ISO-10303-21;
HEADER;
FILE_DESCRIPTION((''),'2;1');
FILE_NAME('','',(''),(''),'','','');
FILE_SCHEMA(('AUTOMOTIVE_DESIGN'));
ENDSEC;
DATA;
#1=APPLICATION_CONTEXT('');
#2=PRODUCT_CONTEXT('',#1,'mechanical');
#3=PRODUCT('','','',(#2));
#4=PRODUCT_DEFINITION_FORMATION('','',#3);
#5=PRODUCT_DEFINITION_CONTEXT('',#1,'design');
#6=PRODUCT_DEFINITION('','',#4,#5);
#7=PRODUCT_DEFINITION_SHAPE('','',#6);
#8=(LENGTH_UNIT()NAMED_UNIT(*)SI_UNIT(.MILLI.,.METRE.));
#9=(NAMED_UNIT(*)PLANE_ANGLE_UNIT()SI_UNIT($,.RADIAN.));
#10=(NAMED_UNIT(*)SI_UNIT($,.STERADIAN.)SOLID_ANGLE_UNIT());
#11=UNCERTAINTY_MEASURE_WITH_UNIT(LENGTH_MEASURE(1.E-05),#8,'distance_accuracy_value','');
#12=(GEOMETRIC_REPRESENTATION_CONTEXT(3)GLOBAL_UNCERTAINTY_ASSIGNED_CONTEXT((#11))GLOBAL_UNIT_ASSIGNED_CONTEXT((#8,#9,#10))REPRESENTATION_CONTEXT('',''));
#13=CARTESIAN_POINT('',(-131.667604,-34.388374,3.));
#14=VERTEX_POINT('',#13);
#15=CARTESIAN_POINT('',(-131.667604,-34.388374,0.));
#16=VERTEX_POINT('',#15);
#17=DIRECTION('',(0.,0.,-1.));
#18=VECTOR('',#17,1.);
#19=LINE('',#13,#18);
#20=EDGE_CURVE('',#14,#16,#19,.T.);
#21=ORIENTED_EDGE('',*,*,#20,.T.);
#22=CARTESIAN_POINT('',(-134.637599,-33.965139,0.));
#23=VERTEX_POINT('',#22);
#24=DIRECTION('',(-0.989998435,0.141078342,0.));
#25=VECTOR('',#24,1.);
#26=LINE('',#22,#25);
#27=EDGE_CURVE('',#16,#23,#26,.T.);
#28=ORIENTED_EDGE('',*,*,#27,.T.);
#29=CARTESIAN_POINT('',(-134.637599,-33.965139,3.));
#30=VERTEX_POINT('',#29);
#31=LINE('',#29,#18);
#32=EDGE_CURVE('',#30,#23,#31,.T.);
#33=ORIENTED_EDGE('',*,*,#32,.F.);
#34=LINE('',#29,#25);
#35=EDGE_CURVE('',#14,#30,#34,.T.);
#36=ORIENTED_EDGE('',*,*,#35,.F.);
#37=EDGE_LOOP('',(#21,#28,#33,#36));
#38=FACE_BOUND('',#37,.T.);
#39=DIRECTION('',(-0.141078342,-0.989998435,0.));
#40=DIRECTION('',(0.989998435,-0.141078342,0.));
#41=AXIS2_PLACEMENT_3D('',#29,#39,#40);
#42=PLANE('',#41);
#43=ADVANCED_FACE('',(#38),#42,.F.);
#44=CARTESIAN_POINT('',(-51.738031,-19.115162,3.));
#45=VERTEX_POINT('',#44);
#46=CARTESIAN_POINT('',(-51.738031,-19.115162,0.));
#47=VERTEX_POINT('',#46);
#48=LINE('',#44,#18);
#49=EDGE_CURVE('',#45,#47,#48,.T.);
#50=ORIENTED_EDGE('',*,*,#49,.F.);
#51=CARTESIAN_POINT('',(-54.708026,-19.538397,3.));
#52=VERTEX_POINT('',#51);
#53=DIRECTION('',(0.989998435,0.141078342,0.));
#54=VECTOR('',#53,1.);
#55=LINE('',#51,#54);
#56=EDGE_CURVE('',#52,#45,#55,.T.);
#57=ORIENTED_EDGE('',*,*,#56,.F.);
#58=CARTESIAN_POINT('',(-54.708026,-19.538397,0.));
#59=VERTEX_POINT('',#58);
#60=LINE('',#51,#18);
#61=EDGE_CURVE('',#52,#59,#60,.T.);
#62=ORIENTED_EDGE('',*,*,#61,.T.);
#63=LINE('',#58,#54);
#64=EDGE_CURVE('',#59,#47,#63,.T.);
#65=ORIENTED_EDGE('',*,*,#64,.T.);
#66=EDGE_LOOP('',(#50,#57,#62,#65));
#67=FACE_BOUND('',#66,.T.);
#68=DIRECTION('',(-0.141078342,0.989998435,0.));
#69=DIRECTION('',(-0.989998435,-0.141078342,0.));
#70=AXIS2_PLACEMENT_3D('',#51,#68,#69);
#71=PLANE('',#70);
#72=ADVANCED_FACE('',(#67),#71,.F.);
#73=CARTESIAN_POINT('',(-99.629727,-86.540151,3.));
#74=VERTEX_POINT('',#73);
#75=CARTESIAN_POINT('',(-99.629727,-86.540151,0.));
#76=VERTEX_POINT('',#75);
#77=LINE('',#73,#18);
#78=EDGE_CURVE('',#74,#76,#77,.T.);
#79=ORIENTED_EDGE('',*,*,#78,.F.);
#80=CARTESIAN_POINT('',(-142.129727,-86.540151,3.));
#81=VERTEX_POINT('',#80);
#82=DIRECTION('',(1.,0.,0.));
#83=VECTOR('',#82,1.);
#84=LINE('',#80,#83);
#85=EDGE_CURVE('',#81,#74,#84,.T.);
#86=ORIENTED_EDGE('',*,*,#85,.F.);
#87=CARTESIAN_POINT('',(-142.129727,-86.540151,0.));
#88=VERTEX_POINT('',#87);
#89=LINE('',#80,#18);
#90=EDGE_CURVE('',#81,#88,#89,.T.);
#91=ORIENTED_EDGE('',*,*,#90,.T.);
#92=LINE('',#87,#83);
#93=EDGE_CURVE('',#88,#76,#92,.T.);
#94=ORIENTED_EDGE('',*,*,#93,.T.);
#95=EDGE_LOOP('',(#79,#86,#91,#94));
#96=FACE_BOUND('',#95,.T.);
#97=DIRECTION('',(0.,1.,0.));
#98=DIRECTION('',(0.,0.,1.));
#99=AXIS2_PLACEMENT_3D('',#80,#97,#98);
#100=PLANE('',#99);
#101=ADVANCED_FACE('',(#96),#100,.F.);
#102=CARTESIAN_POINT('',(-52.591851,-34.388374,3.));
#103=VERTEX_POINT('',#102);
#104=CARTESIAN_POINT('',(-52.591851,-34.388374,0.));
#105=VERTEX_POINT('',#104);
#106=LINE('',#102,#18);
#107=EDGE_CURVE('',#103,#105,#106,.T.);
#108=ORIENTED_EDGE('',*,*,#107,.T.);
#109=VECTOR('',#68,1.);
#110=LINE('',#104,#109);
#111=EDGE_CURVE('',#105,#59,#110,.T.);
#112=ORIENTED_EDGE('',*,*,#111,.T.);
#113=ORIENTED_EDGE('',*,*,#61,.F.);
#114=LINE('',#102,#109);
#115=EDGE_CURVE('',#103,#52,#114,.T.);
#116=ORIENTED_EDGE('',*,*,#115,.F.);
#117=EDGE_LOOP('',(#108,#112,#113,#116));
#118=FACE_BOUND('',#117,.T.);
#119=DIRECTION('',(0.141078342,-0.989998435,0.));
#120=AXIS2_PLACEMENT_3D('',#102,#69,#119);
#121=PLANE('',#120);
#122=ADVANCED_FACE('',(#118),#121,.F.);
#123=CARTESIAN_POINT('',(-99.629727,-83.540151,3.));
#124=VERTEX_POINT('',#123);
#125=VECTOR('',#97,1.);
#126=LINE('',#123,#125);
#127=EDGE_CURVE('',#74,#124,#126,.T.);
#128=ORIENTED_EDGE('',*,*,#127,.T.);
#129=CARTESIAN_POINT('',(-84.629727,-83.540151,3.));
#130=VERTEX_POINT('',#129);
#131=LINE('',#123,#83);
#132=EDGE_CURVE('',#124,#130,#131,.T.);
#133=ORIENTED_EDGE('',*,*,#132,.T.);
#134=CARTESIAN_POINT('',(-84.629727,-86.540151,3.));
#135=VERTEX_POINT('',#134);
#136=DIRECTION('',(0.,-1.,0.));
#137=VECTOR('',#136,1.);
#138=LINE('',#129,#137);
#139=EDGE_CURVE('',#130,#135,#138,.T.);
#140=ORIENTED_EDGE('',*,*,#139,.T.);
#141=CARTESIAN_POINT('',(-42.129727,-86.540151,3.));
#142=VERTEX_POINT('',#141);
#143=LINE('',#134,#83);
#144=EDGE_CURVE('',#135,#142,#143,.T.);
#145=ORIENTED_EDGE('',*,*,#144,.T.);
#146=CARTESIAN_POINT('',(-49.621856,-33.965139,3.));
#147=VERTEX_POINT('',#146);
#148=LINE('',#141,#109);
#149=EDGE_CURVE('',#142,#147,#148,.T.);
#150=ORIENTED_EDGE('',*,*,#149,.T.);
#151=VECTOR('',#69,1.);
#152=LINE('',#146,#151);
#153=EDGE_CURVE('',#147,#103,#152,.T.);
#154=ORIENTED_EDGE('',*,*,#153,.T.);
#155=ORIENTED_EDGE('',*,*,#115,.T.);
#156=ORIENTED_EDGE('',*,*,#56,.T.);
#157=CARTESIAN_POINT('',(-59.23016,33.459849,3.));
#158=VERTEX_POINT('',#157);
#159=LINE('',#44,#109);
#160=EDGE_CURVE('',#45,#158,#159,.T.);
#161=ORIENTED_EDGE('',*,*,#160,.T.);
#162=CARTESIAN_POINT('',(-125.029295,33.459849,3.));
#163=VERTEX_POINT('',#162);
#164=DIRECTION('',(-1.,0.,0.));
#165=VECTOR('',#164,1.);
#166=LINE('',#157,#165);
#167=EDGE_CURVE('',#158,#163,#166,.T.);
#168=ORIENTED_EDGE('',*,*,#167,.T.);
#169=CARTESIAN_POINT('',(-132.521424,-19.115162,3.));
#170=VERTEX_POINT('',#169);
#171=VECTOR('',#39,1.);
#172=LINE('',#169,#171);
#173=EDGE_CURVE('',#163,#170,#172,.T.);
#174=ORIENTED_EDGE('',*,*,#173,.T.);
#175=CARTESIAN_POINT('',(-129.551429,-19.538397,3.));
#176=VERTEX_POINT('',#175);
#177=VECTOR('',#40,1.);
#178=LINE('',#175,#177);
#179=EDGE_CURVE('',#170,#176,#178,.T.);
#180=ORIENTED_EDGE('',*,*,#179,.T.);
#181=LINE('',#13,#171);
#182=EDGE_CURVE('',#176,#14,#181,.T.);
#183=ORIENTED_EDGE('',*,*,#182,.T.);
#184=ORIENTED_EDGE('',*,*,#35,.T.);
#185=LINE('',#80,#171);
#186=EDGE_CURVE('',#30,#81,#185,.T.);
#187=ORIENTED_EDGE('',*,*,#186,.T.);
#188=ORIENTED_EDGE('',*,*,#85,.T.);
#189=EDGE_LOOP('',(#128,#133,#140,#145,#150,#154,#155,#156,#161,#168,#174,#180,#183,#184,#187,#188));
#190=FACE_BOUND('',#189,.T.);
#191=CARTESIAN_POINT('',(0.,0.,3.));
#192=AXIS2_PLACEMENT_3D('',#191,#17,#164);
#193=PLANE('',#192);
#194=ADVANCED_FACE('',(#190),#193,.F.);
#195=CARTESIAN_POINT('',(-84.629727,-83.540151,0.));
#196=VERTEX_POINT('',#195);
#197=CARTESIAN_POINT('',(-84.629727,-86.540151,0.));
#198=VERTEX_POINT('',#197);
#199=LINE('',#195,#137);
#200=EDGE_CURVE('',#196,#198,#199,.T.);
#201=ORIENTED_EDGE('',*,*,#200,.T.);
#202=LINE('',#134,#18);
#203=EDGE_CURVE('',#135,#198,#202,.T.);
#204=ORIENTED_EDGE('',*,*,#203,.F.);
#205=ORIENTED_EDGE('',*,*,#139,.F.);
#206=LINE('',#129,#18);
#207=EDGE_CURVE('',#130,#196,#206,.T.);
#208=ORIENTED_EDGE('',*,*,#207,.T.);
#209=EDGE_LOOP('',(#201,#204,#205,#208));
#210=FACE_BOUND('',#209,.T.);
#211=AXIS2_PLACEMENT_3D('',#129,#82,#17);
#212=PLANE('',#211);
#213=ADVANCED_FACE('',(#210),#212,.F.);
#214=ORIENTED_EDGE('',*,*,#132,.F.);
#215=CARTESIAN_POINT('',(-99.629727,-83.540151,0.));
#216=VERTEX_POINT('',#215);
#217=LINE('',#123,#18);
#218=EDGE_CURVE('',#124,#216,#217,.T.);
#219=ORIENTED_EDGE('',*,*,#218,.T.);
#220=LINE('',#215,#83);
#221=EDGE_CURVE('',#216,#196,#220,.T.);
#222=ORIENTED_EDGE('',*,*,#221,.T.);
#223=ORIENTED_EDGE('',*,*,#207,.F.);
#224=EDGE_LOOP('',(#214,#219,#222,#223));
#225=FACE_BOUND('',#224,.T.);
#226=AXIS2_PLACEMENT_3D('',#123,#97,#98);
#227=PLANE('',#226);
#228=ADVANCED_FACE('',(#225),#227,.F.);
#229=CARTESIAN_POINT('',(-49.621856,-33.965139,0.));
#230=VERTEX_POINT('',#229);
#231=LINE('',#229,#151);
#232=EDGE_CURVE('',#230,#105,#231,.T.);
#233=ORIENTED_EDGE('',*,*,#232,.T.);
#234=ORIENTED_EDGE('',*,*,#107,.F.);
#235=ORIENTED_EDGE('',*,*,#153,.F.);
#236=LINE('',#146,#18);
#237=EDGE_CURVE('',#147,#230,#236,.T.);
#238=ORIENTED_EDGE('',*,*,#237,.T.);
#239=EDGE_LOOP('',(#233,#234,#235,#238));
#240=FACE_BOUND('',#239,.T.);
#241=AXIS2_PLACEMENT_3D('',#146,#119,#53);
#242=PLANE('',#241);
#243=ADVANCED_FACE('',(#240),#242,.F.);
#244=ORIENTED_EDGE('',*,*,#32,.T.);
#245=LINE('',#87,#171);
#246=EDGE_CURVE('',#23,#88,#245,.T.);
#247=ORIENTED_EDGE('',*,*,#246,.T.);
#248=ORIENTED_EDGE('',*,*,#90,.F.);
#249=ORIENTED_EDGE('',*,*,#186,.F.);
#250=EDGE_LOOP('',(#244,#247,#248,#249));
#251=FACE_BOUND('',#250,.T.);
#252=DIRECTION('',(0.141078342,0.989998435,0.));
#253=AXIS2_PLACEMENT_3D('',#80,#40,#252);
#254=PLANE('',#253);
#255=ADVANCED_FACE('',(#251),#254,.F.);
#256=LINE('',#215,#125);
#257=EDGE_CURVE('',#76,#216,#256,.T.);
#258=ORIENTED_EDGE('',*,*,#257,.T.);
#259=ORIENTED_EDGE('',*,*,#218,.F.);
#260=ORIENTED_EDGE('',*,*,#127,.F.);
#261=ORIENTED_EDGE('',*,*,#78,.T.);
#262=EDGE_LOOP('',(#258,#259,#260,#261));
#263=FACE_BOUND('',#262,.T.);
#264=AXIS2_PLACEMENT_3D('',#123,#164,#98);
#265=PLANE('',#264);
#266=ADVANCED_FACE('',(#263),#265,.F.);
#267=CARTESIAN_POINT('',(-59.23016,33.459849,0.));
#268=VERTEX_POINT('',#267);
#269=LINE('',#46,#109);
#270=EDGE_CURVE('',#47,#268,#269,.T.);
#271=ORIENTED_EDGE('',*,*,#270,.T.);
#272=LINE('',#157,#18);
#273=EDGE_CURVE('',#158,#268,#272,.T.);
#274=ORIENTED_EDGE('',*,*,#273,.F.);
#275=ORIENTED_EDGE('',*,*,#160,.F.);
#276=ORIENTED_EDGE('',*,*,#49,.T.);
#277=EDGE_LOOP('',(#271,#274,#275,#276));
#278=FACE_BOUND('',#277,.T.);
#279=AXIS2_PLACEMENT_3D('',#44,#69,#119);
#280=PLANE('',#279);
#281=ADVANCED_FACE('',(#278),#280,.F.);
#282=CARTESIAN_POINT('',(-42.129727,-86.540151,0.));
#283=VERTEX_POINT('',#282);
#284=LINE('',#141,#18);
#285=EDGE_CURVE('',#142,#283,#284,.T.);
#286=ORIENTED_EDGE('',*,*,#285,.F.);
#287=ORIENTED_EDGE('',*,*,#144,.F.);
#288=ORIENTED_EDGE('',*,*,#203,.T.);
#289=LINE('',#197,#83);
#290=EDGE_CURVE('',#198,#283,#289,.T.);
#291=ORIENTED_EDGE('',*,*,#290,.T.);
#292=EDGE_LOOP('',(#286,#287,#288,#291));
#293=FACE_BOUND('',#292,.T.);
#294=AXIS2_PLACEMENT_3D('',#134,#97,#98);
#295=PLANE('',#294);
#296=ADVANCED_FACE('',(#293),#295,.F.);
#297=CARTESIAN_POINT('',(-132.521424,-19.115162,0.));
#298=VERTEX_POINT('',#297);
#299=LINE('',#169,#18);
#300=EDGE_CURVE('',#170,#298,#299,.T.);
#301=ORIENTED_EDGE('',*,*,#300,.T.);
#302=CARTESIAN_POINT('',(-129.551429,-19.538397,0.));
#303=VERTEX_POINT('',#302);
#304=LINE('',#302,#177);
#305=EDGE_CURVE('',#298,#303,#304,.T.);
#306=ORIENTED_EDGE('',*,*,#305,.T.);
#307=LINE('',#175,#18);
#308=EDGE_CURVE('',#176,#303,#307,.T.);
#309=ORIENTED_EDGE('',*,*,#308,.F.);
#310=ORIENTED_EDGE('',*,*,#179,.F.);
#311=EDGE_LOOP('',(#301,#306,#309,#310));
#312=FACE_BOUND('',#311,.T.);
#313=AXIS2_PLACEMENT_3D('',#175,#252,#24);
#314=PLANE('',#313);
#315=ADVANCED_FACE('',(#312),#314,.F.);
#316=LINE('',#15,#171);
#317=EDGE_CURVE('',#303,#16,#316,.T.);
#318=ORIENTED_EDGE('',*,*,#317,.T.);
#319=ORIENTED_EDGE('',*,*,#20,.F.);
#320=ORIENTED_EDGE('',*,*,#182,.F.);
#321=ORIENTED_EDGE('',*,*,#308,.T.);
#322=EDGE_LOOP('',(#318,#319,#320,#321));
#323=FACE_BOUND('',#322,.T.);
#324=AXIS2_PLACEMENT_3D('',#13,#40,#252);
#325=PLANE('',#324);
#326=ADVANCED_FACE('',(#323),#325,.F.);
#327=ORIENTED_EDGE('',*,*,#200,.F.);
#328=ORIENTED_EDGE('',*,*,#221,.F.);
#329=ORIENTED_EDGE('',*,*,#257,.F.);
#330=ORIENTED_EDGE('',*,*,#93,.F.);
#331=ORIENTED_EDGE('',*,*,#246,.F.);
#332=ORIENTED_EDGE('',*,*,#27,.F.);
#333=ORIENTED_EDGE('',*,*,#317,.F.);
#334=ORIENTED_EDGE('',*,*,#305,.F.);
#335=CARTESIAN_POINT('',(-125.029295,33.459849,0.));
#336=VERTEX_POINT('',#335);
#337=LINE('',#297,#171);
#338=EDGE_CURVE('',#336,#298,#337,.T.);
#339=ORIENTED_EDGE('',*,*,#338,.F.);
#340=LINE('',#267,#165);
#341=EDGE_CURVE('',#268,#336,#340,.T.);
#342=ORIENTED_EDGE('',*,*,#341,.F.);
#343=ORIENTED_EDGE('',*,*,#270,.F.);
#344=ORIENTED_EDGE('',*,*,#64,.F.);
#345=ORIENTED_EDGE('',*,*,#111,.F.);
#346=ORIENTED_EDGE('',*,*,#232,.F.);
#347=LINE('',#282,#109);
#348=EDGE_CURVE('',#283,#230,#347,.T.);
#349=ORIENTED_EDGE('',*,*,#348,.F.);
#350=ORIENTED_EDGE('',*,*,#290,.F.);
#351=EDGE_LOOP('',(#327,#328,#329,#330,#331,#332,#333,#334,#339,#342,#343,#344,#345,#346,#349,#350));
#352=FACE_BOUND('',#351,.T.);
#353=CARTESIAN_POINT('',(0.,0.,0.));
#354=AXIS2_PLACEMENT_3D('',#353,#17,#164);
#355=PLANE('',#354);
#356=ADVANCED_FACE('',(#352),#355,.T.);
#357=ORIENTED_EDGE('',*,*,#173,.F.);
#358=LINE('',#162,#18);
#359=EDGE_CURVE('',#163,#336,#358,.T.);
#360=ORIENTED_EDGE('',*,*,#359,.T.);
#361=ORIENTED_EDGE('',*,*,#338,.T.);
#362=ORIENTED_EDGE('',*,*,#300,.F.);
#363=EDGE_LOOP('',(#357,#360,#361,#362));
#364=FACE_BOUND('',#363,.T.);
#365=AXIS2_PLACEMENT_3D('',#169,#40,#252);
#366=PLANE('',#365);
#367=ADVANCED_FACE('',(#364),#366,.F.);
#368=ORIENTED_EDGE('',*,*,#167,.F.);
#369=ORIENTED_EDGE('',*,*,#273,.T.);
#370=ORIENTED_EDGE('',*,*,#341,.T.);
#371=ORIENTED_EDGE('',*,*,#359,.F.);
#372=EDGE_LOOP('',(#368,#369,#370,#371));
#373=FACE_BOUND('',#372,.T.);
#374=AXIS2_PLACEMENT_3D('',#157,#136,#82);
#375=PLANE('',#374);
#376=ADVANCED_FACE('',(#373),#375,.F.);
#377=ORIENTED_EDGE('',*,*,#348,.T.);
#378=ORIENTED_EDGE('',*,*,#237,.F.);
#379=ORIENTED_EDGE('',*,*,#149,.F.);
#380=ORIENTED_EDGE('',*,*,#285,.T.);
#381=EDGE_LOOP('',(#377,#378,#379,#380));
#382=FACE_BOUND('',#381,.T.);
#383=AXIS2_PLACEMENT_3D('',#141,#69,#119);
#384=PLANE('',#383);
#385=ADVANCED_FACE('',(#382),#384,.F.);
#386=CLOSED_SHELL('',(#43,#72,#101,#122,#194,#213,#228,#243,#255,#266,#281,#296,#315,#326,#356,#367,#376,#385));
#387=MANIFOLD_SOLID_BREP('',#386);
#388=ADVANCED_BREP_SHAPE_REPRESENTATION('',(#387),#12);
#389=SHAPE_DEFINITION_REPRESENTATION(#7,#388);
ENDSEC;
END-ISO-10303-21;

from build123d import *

# Parameters (mm, degrees)
BOSS_EXTRUDE1_DEPTH = 3


with BuildPart() as part:
    # Sketch2 → Boss-Extrude1 (new body)
    with BuildSketch(Plane.XY):
        Polygon((-142.12972749, -86.540150719), (-134.637599013, -33.965138982), (-131.667603708, -34.388374007), (-129.551428583, -19.53839748), (-132.521423888, -19.115162455), (-125.029295411, 33.459849281), (-59.230159569, 33.459849281), (-51.738031092, -19.115162455), (-54.708026397, -19.53839748), (-52.591851272, -34.388374007), (-49.621855967, -33.965138982), (-42.12972749, -86.540150719), (-84.62972749, -86.540150719), (-84.62972749, -83.540150719), (-99.62972749, -83.540150719), (-99.62972749, -86.540150719), align=None)
    extrude(amount=BOSS_EXTRUDE1_DEPTH)


solid = part.part
